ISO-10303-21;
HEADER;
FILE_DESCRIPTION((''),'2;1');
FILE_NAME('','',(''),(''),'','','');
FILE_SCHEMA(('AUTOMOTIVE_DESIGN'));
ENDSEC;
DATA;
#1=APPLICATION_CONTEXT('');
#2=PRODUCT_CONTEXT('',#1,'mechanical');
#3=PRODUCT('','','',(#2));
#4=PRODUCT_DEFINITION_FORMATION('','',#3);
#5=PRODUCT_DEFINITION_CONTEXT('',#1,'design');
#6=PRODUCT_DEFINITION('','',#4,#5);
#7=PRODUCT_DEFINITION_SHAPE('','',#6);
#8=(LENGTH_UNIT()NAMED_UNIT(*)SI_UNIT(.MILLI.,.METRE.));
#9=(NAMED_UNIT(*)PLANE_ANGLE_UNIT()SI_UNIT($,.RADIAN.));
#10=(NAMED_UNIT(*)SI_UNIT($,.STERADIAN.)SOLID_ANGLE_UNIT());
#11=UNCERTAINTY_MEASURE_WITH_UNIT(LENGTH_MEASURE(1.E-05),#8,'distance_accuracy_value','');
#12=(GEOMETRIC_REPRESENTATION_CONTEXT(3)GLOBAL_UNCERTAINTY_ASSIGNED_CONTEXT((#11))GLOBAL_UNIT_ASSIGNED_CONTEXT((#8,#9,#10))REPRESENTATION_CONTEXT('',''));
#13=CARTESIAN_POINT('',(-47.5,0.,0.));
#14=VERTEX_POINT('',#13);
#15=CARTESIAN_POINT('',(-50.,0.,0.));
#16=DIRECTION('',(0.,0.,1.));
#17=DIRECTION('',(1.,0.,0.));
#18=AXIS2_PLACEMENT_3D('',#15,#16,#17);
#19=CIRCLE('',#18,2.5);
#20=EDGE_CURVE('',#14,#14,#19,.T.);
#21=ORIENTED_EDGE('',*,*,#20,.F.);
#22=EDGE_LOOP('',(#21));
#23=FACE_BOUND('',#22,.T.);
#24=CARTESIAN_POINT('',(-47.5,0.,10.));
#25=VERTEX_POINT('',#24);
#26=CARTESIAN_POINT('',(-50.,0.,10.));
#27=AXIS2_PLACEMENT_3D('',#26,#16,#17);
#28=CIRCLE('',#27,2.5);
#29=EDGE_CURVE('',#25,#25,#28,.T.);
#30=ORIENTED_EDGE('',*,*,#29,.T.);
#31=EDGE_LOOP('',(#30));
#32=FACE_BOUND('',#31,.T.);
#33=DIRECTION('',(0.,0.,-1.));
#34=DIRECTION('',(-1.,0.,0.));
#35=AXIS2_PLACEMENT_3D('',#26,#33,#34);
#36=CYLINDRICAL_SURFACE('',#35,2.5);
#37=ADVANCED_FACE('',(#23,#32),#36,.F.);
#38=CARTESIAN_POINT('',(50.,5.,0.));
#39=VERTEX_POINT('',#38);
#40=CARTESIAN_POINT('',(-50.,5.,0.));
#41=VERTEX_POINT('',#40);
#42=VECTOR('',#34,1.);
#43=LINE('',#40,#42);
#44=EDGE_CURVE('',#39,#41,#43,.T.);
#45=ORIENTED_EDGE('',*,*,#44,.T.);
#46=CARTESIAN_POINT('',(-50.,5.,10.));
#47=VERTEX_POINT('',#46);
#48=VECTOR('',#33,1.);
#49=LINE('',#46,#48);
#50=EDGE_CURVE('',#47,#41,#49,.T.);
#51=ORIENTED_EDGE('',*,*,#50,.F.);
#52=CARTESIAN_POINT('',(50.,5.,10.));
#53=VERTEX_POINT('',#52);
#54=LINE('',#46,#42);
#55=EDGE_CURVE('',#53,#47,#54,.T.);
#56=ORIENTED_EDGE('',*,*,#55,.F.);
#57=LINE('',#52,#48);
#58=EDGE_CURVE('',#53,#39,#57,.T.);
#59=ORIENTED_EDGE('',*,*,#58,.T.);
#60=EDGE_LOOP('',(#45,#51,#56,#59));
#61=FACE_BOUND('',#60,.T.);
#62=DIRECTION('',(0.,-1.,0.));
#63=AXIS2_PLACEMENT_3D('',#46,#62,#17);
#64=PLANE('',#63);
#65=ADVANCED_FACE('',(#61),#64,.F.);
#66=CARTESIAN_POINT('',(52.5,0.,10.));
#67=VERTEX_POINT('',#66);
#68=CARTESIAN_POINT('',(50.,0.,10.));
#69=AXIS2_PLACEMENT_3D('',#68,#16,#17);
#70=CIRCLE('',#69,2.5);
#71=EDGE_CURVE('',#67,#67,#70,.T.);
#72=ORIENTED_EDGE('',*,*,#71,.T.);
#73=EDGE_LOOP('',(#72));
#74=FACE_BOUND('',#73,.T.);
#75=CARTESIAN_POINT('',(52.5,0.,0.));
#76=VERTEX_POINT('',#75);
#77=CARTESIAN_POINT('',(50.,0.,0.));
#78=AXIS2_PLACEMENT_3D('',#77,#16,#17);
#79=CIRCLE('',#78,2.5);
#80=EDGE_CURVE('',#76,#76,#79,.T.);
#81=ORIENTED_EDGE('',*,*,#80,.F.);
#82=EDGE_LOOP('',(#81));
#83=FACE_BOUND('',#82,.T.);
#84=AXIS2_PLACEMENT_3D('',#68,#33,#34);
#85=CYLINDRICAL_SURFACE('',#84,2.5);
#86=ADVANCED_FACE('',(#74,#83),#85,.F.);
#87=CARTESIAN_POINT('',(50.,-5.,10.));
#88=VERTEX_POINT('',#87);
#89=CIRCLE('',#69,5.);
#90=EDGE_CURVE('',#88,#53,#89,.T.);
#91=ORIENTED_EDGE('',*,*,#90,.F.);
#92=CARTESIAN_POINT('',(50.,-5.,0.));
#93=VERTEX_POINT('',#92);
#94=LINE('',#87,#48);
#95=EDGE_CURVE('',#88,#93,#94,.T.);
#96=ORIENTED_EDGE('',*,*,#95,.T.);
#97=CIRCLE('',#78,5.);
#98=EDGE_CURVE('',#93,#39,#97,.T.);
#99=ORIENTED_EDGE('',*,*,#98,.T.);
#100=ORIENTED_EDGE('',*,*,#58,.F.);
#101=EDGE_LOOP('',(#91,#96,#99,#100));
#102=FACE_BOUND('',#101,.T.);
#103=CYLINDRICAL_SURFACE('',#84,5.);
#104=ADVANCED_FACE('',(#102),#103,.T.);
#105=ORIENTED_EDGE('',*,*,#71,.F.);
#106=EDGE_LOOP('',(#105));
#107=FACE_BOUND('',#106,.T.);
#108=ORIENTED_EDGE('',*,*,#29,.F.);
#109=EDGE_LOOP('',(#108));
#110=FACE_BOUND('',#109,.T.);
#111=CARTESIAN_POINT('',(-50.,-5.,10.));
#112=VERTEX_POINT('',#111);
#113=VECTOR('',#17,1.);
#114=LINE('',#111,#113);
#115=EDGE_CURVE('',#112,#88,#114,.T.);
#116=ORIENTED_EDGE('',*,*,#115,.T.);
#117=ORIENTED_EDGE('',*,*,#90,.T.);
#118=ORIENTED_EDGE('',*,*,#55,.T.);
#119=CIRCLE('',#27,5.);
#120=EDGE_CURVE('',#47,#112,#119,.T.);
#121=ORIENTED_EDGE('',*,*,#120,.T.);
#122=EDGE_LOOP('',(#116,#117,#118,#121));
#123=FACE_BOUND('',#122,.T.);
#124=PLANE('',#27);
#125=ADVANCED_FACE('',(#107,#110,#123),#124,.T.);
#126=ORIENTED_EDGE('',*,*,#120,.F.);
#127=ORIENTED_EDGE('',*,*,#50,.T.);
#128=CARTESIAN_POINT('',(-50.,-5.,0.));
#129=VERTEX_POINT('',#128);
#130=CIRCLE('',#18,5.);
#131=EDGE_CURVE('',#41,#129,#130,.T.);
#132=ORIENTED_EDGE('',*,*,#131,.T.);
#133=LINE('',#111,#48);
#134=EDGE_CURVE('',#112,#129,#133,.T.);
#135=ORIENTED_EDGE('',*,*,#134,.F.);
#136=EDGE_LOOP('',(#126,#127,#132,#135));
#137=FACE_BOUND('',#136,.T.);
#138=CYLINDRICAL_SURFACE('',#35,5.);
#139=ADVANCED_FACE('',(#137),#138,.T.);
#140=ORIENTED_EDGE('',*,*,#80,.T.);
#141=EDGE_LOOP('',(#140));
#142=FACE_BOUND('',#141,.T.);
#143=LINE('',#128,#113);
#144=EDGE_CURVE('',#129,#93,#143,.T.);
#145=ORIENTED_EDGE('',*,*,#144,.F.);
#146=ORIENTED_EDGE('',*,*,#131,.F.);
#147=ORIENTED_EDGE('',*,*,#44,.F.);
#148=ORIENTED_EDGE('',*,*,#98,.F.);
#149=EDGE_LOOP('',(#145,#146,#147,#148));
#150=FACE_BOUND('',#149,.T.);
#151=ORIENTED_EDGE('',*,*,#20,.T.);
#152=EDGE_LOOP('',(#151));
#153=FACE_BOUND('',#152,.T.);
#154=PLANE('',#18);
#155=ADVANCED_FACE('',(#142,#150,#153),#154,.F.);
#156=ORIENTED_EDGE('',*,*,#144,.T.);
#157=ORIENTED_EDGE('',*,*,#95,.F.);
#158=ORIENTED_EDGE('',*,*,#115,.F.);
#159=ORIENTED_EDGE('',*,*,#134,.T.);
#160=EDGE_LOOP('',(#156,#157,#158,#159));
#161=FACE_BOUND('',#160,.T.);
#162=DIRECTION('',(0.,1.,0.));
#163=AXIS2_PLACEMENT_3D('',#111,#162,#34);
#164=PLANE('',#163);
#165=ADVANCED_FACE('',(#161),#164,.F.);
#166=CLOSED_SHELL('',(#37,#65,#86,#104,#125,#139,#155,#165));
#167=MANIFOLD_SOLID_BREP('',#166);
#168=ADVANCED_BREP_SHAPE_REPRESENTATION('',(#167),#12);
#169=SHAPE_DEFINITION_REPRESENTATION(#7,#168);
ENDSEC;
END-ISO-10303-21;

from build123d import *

# Parameters (mm, degrees)
SKETCH1_R           = 2.5
BOSS_EXTRUDE1_DEPTH = 10


with BuildPart() as part:
    # Sketch1 → Boss-Extrude1 (new body)
    with BuildSketch(Plane.XY):
        with BuildLine():
            Line((-50, 5), (50, 5))
            ThreePointArc((50, 5), (55, 0), (50, -5))
            Line((50, -5), (-50, -5))
            ThreePointArc((-50, -5), (-55, 0), (-50, 5))
        make_face()
        with Locations((-50, 0)):
            Circle(SKETCH1_R, mode=Mode.SUBTRACT)
        with Locations((50, 0)):
            Circle(SKETCH1_R, mode=Mode.SUBTRACT)
    extrude(amount=BOSS_EXTRUDE1_DEPTH)


solid = part.part
